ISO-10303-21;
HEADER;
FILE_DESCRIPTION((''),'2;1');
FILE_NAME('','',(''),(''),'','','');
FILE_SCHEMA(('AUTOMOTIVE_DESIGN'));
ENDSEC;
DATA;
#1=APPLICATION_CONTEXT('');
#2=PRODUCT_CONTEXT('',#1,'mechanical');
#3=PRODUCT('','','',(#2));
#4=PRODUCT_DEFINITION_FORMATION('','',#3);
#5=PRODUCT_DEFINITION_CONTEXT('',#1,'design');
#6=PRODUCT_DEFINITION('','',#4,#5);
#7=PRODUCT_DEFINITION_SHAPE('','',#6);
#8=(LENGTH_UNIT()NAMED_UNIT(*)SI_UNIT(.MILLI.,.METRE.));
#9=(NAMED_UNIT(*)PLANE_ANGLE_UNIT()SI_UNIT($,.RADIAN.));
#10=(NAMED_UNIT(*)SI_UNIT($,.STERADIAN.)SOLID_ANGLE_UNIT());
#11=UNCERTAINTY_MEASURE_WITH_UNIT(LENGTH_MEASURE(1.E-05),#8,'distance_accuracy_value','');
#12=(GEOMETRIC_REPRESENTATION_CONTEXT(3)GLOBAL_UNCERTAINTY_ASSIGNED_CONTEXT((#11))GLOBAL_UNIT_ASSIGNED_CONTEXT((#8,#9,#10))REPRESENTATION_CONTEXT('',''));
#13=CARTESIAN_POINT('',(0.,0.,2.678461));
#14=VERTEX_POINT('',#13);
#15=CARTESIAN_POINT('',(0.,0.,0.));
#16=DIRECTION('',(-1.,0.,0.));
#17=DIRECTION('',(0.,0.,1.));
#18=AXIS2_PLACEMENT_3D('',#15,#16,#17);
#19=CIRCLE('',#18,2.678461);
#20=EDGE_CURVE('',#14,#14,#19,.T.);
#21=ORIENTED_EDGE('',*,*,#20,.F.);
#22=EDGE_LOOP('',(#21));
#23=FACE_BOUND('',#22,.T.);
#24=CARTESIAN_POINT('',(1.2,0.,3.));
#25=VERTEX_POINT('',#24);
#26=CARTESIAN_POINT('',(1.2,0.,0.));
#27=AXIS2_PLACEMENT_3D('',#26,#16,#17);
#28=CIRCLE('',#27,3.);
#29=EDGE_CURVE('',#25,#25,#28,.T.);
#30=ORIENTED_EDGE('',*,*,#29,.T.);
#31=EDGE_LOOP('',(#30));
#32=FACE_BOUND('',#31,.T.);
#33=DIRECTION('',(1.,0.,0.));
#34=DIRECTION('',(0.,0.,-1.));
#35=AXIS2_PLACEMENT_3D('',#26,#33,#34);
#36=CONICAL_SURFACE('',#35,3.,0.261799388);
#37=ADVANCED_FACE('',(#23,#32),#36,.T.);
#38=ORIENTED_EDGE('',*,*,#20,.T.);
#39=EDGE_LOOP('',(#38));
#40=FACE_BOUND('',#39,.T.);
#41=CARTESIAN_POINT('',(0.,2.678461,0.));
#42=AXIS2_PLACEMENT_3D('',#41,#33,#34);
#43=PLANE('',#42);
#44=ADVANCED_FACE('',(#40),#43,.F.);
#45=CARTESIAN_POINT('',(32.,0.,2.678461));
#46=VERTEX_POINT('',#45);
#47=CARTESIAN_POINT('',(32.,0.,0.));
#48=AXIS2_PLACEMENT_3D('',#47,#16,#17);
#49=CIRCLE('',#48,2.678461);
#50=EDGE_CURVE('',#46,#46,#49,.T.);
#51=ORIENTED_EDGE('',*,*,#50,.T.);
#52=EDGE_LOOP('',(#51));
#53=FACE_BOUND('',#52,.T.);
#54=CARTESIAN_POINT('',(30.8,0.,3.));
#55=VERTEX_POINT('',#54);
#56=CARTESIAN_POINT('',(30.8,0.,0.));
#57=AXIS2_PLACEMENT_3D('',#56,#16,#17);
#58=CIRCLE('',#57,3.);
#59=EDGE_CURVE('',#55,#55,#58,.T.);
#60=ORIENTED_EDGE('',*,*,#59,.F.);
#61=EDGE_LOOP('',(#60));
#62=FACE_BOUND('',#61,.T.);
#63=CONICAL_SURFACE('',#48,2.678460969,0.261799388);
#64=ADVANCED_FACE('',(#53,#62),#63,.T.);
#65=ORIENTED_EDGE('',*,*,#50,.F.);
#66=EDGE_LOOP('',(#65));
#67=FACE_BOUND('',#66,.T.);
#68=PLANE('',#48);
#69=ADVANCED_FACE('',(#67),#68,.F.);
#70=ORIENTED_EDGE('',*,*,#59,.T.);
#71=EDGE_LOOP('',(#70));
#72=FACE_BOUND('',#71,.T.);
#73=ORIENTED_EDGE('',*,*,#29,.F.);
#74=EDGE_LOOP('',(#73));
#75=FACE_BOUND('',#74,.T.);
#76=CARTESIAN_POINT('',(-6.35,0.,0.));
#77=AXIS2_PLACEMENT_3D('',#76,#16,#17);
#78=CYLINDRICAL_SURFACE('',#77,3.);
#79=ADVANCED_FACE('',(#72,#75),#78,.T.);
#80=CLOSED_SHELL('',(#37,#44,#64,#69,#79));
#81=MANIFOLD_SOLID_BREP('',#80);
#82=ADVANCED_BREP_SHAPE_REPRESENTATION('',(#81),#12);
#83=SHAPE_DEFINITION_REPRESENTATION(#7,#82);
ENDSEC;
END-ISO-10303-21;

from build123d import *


with BuildPart() as part:
    # Sketch1 → Base-Revolve (revolve)
    with BuildSketch(Plane.XY, mode=Mode.PRIVATE) as base_revolve_sk:
        Polygon((0, 0), (32, 0), (32, 2.678460969), (30.8, 3), (1.2, 3), (0, 2.678460969), align=None)
    revolve(base_revolve_sk.sketch.rotate(Axis((-6.35, 0, 0), (1, 0, 0)), 90), axis=Axis((-6.35, 0, 0), (1, 0, 0)))


solid = part.part
